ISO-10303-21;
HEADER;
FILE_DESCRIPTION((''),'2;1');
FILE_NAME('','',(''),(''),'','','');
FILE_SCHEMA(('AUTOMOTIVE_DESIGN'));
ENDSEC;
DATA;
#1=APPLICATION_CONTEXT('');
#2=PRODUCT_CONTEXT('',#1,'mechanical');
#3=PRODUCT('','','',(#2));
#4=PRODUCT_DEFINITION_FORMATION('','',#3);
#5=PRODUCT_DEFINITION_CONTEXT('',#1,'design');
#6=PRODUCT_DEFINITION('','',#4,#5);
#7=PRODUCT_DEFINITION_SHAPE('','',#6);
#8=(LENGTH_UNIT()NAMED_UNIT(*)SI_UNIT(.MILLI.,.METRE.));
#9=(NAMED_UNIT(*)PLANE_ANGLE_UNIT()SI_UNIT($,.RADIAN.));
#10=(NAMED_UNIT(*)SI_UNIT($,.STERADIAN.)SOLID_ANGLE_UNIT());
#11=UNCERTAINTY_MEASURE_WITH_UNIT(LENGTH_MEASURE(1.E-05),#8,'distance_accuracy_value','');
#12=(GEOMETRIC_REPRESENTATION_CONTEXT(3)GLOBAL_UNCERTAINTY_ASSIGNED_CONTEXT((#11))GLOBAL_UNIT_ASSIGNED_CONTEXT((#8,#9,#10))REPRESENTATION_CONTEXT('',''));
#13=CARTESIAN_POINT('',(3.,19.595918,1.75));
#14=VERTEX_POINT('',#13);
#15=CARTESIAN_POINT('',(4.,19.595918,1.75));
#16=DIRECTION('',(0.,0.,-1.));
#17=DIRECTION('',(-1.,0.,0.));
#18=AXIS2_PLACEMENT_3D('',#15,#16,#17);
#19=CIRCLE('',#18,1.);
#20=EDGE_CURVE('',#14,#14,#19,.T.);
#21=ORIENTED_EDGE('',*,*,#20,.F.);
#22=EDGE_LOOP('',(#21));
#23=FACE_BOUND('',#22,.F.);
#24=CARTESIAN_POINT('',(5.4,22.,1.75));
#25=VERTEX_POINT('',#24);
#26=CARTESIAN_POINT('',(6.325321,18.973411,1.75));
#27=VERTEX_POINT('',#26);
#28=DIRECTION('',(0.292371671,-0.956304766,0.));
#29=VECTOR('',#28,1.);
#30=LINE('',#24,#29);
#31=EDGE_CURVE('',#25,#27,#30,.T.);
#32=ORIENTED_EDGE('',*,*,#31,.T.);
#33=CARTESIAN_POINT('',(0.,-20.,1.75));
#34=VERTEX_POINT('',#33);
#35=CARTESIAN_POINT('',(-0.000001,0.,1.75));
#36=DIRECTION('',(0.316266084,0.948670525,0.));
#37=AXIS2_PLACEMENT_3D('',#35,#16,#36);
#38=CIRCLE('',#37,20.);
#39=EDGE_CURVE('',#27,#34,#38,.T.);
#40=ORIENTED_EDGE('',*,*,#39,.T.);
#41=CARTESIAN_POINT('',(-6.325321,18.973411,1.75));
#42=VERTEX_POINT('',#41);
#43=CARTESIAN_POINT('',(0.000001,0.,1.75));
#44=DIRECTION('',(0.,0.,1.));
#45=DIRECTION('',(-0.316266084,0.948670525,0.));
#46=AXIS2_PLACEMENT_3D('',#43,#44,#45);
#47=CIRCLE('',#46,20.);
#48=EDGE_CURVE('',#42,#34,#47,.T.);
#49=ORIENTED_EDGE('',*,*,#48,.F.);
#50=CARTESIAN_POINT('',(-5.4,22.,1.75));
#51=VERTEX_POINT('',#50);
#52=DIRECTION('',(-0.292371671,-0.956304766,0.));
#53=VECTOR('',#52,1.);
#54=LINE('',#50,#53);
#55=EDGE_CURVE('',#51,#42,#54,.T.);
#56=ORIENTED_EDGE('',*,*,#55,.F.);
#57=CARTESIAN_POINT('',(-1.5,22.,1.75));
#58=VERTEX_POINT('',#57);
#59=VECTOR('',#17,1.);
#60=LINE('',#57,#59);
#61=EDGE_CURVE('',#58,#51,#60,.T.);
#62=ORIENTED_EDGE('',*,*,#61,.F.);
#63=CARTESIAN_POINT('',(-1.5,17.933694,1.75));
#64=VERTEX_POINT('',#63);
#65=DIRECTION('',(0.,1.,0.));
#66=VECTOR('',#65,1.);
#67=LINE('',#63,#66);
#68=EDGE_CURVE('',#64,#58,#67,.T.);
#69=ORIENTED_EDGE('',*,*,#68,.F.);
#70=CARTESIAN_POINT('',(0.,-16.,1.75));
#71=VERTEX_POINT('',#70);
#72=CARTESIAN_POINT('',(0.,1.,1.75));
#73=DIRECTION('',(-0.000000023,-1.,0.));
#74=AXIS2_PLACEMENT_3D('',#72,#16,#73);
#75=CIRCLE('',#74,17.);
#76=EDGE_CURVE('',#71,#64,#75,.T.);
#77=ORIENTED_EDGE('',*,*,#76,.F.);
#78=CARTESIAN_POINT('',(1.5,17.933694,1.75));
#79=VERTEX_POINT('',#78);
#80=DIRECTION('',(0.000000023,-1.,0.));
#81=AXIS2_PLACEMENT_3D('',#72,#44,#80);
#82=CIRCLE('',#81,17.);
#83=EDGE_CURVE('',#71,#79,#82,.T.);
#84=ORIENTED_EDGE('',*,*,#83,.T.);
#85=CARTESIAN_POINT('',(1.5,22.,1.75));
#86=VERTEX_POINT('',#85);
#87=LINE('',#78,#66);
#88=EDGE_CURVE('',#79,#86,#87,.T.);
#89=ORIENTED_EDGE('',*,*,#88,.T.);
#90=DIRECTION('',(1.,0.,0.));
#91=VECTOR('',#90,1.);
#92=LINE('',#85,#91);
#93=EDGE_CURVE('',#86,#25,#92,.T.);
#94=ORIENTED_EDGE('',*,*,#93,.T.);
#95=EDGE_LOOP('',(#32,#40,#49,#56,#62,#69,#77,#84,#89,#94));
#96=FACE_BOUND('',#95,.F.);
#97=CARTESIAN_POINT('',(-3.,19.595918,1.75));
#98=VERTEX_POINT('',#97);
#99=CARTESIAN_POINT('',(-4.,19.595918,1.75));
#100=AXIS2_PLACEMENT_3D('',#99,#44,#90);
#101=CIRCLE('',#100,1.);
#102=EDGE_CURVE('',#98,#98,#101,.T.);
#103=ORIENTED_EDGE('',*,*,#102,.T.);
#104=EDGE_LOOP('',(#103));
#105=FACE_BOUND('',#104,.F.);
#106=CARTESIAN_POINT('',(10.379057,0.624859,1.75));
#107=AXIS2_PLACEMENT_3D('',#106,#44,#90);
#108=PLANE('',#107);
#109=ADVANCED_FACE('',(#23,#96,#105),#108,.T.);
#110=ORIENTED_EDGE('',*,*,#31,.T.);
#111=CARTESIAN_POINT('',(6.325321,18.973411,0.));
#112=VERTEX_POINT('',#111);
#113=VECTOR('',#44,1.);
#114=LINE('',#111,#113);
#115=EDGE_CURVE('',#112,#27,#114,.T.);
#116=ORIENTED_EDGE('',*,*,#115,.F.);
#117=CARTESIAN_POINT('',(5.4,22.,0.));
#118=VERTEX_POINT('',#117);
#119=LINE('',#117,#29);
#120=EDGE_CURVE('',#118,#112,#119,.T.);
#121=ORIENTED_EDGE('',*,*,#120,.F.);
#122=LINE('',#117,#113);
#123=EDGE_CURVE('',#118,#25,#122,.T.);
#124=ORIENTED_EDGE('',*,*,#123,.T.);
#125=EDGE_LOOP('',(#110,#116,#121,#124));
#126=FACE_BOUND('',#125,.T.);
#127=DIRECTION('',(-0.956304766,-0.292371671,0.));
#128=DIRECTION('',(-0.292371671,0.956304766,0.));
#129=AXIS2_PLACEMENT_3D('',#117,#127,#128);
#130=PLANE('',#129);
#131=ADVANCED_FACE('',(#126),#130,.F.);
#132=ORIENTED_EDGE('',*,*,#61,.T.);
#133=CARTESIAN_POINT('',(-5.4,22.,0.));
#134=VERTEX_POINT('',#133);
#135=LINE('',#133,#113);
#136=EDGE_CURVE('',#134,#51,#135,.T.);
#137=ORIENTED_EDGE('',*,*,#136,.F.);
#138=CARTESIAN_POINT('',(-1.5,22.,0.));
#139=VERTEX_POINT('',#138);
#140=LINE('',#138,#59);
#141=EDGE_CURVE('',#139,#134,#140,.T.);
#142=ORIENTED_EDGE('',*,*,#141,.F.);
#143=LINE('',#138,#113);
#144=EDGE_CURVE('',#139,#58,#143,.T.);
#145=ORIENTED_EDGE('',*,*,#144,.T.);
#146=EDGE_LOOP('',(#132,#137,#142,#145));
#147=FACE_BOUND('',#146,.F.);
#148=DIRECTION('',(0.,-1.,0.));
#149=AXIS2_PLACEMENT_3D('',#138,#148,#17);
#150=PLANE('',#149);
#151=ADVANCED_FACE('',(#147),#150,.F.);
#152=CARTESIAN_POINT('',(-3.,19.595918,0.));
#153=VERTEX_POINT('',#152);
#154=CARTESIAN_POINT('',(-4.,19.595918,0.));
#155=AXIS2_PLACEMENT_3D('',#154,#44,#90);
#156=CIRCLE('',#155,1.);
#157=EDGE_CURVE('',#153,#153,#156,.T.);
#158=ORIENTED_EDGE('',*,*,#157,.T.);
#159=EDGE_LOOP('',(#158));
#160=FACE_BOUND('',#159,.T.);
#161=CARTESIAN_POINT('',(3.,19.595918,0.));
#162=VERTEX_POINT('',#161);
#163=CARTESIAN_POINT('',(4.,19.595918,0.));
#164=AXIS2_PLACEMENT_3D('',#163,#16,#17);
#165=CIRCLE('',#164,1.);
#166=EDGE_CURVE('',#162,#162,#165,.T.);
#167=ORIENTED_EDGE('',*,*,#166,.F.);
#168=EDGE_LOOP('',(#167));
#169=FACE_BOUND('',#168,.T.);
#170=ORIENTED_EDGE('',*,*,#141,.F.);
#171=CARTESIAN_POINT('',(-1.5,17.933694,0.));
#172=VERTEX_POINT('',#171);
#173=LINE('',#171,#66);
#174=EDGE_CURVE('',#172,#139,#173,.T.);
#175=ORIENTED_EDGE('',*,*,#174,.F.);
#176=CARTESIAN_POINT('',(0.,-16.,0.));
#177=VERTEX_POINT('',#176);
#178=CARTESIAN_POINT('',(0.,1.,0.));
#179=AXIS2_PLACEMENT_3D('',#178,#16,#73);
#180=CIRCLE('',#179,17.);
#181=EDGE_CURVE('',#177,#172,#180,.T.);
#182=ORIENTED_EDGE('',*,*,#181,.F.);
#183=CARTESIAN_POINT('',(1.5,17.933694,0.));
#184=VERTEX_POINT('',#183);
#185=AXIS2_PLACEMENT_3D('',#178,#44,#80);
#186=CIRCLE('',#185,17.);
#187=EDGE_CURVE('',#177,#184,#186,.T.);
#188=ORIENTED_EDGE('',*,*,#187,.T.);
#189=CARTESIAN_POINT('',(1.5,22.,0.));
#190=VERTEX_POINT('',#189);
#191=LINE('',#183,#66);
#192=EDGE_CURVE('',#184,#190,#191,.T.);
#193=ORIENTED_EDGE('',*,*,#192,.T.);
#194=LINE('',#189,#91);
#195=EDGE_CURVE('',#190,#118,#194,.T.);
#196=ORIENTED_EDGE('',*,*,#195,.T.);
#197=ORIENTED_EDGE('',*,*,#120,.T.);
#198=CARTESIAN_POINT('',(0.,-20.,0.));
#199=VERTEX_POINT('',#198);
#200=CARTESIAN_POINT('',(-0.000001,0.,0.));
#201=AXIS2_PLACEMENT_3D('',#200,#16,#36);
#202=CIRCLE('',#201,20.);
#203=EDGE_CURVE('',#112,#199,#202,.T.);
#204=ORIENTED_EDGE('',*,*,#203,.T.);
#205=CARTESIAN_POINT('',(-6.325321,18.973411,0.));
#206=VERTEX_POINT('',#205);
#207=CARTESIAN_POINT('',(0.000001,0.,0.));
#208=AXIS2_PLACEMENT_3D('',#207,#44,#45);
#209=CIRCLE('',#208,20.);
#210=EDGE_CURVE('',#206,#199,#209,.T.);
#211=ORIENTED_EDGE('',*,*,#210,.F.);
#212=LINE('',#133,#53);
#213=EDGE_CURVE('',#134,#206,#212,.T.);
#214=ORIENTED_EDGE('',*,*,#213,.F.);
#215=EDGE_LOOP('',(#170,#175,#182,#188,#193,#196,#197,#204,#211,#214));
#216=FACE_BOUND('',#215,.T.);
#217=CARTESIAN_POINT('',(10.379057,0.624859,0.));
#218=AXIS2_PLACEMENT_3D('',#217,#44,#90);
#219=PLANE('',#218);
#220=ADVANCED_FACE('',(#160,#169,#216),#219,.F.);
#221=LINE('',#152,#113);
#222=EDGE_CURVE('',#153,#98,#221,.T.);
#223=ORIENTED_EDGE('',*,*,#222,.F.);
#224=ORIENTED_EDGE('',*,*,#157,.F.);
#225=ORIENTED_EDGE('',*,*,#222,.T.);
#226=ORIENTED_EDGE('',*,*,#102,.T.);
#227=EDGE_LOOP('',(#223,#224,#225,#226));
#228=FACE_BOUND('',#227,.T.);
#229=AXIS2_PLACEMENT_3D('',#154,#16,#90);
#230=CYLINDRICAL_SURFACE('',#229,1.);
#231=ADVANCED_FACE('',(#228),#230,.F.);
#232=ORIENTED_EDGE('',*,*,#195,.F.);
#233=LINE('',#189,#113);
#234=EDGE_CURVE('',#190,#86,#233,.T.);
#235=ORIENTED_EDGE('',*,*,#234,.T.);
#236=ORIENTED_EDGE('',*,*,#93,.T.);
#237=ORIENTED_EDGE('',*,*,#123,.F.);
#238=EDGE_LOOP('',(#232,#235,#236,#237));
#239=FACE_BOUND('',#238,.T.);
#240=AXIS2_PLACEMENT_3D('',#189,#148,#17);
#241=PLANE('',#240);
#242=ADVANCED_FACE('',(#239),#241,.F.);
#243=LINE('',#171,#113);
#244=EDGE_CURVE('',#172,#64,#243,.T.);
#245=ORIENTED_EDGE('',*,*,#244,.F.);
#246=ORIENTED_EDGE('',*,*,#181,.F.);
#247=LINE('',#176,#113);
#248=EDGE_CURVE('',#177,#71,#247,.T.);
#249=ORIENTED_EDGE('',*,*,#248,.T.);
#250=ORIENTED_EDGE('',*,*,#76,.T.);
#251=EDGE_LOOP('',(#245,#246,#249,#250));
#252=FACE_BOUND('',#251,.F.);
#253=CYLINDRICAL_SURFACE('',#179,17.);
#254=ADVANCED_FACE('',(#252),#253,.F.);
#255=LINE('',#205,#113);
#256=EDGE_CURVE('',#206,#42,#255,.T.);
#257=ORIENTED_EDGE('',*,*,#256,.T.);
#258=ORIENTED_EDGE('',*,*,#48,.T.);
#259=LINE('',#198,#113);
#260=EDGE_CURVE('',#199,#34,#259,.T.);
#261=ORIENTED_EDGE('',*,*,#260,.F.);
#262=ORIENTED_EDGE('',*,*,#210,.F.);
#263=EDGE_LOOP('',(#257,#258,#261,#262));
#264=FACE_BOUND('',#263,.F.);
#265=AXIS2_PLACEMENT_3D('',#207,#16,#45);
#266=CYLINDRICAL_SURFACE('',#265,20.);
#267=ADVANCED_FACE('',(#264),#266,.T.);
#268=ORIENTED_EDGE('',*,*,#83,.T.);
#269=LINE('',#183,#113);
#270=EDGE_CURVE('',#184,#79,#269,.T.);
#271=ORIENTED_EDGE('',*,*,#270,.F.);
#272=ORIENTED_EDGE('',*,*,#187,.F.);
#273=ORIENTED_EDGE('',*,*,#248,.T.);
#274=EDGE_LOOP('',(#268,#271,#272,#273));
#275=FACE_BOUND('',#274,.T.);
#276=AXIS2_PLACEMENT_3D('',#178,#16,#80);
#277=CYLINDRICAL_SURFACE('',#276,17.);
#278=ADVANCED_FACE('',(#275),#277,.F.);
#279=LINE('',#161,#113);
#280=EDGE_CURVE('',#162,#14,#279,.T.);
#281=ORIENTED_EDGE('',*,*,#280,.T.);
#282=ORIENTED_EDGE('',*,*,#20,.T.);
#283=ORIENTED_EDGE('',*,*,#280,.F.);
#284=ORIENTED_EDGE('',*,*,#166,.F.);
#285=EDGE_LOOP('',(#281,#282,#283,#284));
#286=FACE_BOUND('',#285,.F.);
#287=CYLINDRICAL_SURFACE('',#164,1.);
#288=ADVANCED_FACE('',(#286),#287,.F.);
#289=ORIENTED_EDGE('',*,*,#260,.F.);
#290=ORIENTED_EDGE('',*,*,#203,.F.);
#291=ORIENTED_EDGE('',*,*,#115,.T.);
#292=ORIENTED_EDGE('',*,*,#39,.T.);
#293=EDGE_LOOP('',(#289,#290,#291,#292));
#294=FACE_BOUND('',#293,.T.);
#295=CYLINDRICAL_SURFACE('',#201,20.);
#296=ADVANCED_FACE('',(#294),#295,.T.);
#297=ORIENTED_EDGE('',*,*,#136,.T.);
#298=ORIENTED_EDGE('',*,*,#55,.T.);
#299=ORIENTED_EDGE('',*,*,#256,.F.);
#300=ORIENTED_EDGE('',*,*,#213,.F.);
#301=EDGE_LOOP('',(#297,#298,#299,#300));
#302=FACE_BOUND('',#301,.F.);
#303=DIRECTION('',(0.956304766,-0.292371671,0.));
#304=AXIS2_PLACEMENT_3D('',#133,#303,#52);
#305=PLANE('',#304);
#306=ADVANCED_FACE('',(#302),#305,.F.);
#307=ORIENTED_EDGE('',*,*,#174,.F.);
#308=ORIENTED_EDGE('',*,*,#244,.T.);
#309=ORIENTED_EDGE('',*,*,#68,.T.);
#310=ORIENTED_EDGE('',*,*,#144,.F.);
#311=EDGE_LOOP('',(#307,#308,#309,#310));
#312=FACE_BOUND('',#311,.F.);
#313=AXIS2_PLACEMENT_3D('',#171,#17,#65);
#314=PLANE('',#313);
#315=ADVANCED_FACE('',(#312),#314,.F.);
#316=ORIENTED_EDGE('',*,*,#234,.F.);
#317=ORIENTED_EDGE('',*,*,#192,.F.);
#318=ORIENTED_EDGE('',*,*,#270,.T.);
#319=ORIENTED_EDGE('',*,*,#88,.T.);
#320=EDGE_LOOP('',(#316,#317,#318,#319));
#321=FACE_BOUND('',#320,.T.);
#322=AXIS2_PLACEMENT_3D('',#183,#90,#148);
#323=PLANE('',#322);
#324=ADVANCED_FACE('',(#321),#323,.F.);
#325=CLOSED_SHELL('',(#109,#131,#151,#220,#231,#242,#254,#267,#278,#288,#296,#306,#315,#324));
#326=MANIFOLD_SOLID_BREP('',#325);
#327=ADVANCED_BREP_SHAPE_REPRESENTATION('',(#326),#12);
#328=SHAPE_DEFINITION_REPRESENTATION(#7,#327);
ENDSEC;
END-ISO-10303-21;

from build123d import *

# Parameters (mm, degrees)
F0_R     = 1
F1_DEPTH = 1.75


with BuildPart() as f1:
    # F0 (on Top) → F1 (new body)
    with BuildSketch(Plane.XY):
        with BuildLine():
            Line((-5.4, 22), (-6.325321, 18.973411))
            ThreePointArc((-6.325321, 18.973411), (-19.741684, -3.204043), (0, -20))
            Line((0, -20), (0, -16))
            ThreePointArc((0, -16), (-16.983415, 0.249268), (-1.5, 17.933694))
            Line((-1.5, 17.933694), (-1.5, 19.943671))
            Line((-1.5, 19.943671), (-1.5, 22))
            Line((-1.5, 22), (-5.4, 22))
        make_face()
        with Locations((-4, 19.595918)):
            Circle(F0_R, mode=Mode.SUBTRACT)
    extrude(amount=F1_DEPTH)

    # F2: F1 across plane


with BuildPart() as f1_1:
    add(f1.part)
    add(f1.part.mirror(Plane.YZ))


solid = f1_1.part
